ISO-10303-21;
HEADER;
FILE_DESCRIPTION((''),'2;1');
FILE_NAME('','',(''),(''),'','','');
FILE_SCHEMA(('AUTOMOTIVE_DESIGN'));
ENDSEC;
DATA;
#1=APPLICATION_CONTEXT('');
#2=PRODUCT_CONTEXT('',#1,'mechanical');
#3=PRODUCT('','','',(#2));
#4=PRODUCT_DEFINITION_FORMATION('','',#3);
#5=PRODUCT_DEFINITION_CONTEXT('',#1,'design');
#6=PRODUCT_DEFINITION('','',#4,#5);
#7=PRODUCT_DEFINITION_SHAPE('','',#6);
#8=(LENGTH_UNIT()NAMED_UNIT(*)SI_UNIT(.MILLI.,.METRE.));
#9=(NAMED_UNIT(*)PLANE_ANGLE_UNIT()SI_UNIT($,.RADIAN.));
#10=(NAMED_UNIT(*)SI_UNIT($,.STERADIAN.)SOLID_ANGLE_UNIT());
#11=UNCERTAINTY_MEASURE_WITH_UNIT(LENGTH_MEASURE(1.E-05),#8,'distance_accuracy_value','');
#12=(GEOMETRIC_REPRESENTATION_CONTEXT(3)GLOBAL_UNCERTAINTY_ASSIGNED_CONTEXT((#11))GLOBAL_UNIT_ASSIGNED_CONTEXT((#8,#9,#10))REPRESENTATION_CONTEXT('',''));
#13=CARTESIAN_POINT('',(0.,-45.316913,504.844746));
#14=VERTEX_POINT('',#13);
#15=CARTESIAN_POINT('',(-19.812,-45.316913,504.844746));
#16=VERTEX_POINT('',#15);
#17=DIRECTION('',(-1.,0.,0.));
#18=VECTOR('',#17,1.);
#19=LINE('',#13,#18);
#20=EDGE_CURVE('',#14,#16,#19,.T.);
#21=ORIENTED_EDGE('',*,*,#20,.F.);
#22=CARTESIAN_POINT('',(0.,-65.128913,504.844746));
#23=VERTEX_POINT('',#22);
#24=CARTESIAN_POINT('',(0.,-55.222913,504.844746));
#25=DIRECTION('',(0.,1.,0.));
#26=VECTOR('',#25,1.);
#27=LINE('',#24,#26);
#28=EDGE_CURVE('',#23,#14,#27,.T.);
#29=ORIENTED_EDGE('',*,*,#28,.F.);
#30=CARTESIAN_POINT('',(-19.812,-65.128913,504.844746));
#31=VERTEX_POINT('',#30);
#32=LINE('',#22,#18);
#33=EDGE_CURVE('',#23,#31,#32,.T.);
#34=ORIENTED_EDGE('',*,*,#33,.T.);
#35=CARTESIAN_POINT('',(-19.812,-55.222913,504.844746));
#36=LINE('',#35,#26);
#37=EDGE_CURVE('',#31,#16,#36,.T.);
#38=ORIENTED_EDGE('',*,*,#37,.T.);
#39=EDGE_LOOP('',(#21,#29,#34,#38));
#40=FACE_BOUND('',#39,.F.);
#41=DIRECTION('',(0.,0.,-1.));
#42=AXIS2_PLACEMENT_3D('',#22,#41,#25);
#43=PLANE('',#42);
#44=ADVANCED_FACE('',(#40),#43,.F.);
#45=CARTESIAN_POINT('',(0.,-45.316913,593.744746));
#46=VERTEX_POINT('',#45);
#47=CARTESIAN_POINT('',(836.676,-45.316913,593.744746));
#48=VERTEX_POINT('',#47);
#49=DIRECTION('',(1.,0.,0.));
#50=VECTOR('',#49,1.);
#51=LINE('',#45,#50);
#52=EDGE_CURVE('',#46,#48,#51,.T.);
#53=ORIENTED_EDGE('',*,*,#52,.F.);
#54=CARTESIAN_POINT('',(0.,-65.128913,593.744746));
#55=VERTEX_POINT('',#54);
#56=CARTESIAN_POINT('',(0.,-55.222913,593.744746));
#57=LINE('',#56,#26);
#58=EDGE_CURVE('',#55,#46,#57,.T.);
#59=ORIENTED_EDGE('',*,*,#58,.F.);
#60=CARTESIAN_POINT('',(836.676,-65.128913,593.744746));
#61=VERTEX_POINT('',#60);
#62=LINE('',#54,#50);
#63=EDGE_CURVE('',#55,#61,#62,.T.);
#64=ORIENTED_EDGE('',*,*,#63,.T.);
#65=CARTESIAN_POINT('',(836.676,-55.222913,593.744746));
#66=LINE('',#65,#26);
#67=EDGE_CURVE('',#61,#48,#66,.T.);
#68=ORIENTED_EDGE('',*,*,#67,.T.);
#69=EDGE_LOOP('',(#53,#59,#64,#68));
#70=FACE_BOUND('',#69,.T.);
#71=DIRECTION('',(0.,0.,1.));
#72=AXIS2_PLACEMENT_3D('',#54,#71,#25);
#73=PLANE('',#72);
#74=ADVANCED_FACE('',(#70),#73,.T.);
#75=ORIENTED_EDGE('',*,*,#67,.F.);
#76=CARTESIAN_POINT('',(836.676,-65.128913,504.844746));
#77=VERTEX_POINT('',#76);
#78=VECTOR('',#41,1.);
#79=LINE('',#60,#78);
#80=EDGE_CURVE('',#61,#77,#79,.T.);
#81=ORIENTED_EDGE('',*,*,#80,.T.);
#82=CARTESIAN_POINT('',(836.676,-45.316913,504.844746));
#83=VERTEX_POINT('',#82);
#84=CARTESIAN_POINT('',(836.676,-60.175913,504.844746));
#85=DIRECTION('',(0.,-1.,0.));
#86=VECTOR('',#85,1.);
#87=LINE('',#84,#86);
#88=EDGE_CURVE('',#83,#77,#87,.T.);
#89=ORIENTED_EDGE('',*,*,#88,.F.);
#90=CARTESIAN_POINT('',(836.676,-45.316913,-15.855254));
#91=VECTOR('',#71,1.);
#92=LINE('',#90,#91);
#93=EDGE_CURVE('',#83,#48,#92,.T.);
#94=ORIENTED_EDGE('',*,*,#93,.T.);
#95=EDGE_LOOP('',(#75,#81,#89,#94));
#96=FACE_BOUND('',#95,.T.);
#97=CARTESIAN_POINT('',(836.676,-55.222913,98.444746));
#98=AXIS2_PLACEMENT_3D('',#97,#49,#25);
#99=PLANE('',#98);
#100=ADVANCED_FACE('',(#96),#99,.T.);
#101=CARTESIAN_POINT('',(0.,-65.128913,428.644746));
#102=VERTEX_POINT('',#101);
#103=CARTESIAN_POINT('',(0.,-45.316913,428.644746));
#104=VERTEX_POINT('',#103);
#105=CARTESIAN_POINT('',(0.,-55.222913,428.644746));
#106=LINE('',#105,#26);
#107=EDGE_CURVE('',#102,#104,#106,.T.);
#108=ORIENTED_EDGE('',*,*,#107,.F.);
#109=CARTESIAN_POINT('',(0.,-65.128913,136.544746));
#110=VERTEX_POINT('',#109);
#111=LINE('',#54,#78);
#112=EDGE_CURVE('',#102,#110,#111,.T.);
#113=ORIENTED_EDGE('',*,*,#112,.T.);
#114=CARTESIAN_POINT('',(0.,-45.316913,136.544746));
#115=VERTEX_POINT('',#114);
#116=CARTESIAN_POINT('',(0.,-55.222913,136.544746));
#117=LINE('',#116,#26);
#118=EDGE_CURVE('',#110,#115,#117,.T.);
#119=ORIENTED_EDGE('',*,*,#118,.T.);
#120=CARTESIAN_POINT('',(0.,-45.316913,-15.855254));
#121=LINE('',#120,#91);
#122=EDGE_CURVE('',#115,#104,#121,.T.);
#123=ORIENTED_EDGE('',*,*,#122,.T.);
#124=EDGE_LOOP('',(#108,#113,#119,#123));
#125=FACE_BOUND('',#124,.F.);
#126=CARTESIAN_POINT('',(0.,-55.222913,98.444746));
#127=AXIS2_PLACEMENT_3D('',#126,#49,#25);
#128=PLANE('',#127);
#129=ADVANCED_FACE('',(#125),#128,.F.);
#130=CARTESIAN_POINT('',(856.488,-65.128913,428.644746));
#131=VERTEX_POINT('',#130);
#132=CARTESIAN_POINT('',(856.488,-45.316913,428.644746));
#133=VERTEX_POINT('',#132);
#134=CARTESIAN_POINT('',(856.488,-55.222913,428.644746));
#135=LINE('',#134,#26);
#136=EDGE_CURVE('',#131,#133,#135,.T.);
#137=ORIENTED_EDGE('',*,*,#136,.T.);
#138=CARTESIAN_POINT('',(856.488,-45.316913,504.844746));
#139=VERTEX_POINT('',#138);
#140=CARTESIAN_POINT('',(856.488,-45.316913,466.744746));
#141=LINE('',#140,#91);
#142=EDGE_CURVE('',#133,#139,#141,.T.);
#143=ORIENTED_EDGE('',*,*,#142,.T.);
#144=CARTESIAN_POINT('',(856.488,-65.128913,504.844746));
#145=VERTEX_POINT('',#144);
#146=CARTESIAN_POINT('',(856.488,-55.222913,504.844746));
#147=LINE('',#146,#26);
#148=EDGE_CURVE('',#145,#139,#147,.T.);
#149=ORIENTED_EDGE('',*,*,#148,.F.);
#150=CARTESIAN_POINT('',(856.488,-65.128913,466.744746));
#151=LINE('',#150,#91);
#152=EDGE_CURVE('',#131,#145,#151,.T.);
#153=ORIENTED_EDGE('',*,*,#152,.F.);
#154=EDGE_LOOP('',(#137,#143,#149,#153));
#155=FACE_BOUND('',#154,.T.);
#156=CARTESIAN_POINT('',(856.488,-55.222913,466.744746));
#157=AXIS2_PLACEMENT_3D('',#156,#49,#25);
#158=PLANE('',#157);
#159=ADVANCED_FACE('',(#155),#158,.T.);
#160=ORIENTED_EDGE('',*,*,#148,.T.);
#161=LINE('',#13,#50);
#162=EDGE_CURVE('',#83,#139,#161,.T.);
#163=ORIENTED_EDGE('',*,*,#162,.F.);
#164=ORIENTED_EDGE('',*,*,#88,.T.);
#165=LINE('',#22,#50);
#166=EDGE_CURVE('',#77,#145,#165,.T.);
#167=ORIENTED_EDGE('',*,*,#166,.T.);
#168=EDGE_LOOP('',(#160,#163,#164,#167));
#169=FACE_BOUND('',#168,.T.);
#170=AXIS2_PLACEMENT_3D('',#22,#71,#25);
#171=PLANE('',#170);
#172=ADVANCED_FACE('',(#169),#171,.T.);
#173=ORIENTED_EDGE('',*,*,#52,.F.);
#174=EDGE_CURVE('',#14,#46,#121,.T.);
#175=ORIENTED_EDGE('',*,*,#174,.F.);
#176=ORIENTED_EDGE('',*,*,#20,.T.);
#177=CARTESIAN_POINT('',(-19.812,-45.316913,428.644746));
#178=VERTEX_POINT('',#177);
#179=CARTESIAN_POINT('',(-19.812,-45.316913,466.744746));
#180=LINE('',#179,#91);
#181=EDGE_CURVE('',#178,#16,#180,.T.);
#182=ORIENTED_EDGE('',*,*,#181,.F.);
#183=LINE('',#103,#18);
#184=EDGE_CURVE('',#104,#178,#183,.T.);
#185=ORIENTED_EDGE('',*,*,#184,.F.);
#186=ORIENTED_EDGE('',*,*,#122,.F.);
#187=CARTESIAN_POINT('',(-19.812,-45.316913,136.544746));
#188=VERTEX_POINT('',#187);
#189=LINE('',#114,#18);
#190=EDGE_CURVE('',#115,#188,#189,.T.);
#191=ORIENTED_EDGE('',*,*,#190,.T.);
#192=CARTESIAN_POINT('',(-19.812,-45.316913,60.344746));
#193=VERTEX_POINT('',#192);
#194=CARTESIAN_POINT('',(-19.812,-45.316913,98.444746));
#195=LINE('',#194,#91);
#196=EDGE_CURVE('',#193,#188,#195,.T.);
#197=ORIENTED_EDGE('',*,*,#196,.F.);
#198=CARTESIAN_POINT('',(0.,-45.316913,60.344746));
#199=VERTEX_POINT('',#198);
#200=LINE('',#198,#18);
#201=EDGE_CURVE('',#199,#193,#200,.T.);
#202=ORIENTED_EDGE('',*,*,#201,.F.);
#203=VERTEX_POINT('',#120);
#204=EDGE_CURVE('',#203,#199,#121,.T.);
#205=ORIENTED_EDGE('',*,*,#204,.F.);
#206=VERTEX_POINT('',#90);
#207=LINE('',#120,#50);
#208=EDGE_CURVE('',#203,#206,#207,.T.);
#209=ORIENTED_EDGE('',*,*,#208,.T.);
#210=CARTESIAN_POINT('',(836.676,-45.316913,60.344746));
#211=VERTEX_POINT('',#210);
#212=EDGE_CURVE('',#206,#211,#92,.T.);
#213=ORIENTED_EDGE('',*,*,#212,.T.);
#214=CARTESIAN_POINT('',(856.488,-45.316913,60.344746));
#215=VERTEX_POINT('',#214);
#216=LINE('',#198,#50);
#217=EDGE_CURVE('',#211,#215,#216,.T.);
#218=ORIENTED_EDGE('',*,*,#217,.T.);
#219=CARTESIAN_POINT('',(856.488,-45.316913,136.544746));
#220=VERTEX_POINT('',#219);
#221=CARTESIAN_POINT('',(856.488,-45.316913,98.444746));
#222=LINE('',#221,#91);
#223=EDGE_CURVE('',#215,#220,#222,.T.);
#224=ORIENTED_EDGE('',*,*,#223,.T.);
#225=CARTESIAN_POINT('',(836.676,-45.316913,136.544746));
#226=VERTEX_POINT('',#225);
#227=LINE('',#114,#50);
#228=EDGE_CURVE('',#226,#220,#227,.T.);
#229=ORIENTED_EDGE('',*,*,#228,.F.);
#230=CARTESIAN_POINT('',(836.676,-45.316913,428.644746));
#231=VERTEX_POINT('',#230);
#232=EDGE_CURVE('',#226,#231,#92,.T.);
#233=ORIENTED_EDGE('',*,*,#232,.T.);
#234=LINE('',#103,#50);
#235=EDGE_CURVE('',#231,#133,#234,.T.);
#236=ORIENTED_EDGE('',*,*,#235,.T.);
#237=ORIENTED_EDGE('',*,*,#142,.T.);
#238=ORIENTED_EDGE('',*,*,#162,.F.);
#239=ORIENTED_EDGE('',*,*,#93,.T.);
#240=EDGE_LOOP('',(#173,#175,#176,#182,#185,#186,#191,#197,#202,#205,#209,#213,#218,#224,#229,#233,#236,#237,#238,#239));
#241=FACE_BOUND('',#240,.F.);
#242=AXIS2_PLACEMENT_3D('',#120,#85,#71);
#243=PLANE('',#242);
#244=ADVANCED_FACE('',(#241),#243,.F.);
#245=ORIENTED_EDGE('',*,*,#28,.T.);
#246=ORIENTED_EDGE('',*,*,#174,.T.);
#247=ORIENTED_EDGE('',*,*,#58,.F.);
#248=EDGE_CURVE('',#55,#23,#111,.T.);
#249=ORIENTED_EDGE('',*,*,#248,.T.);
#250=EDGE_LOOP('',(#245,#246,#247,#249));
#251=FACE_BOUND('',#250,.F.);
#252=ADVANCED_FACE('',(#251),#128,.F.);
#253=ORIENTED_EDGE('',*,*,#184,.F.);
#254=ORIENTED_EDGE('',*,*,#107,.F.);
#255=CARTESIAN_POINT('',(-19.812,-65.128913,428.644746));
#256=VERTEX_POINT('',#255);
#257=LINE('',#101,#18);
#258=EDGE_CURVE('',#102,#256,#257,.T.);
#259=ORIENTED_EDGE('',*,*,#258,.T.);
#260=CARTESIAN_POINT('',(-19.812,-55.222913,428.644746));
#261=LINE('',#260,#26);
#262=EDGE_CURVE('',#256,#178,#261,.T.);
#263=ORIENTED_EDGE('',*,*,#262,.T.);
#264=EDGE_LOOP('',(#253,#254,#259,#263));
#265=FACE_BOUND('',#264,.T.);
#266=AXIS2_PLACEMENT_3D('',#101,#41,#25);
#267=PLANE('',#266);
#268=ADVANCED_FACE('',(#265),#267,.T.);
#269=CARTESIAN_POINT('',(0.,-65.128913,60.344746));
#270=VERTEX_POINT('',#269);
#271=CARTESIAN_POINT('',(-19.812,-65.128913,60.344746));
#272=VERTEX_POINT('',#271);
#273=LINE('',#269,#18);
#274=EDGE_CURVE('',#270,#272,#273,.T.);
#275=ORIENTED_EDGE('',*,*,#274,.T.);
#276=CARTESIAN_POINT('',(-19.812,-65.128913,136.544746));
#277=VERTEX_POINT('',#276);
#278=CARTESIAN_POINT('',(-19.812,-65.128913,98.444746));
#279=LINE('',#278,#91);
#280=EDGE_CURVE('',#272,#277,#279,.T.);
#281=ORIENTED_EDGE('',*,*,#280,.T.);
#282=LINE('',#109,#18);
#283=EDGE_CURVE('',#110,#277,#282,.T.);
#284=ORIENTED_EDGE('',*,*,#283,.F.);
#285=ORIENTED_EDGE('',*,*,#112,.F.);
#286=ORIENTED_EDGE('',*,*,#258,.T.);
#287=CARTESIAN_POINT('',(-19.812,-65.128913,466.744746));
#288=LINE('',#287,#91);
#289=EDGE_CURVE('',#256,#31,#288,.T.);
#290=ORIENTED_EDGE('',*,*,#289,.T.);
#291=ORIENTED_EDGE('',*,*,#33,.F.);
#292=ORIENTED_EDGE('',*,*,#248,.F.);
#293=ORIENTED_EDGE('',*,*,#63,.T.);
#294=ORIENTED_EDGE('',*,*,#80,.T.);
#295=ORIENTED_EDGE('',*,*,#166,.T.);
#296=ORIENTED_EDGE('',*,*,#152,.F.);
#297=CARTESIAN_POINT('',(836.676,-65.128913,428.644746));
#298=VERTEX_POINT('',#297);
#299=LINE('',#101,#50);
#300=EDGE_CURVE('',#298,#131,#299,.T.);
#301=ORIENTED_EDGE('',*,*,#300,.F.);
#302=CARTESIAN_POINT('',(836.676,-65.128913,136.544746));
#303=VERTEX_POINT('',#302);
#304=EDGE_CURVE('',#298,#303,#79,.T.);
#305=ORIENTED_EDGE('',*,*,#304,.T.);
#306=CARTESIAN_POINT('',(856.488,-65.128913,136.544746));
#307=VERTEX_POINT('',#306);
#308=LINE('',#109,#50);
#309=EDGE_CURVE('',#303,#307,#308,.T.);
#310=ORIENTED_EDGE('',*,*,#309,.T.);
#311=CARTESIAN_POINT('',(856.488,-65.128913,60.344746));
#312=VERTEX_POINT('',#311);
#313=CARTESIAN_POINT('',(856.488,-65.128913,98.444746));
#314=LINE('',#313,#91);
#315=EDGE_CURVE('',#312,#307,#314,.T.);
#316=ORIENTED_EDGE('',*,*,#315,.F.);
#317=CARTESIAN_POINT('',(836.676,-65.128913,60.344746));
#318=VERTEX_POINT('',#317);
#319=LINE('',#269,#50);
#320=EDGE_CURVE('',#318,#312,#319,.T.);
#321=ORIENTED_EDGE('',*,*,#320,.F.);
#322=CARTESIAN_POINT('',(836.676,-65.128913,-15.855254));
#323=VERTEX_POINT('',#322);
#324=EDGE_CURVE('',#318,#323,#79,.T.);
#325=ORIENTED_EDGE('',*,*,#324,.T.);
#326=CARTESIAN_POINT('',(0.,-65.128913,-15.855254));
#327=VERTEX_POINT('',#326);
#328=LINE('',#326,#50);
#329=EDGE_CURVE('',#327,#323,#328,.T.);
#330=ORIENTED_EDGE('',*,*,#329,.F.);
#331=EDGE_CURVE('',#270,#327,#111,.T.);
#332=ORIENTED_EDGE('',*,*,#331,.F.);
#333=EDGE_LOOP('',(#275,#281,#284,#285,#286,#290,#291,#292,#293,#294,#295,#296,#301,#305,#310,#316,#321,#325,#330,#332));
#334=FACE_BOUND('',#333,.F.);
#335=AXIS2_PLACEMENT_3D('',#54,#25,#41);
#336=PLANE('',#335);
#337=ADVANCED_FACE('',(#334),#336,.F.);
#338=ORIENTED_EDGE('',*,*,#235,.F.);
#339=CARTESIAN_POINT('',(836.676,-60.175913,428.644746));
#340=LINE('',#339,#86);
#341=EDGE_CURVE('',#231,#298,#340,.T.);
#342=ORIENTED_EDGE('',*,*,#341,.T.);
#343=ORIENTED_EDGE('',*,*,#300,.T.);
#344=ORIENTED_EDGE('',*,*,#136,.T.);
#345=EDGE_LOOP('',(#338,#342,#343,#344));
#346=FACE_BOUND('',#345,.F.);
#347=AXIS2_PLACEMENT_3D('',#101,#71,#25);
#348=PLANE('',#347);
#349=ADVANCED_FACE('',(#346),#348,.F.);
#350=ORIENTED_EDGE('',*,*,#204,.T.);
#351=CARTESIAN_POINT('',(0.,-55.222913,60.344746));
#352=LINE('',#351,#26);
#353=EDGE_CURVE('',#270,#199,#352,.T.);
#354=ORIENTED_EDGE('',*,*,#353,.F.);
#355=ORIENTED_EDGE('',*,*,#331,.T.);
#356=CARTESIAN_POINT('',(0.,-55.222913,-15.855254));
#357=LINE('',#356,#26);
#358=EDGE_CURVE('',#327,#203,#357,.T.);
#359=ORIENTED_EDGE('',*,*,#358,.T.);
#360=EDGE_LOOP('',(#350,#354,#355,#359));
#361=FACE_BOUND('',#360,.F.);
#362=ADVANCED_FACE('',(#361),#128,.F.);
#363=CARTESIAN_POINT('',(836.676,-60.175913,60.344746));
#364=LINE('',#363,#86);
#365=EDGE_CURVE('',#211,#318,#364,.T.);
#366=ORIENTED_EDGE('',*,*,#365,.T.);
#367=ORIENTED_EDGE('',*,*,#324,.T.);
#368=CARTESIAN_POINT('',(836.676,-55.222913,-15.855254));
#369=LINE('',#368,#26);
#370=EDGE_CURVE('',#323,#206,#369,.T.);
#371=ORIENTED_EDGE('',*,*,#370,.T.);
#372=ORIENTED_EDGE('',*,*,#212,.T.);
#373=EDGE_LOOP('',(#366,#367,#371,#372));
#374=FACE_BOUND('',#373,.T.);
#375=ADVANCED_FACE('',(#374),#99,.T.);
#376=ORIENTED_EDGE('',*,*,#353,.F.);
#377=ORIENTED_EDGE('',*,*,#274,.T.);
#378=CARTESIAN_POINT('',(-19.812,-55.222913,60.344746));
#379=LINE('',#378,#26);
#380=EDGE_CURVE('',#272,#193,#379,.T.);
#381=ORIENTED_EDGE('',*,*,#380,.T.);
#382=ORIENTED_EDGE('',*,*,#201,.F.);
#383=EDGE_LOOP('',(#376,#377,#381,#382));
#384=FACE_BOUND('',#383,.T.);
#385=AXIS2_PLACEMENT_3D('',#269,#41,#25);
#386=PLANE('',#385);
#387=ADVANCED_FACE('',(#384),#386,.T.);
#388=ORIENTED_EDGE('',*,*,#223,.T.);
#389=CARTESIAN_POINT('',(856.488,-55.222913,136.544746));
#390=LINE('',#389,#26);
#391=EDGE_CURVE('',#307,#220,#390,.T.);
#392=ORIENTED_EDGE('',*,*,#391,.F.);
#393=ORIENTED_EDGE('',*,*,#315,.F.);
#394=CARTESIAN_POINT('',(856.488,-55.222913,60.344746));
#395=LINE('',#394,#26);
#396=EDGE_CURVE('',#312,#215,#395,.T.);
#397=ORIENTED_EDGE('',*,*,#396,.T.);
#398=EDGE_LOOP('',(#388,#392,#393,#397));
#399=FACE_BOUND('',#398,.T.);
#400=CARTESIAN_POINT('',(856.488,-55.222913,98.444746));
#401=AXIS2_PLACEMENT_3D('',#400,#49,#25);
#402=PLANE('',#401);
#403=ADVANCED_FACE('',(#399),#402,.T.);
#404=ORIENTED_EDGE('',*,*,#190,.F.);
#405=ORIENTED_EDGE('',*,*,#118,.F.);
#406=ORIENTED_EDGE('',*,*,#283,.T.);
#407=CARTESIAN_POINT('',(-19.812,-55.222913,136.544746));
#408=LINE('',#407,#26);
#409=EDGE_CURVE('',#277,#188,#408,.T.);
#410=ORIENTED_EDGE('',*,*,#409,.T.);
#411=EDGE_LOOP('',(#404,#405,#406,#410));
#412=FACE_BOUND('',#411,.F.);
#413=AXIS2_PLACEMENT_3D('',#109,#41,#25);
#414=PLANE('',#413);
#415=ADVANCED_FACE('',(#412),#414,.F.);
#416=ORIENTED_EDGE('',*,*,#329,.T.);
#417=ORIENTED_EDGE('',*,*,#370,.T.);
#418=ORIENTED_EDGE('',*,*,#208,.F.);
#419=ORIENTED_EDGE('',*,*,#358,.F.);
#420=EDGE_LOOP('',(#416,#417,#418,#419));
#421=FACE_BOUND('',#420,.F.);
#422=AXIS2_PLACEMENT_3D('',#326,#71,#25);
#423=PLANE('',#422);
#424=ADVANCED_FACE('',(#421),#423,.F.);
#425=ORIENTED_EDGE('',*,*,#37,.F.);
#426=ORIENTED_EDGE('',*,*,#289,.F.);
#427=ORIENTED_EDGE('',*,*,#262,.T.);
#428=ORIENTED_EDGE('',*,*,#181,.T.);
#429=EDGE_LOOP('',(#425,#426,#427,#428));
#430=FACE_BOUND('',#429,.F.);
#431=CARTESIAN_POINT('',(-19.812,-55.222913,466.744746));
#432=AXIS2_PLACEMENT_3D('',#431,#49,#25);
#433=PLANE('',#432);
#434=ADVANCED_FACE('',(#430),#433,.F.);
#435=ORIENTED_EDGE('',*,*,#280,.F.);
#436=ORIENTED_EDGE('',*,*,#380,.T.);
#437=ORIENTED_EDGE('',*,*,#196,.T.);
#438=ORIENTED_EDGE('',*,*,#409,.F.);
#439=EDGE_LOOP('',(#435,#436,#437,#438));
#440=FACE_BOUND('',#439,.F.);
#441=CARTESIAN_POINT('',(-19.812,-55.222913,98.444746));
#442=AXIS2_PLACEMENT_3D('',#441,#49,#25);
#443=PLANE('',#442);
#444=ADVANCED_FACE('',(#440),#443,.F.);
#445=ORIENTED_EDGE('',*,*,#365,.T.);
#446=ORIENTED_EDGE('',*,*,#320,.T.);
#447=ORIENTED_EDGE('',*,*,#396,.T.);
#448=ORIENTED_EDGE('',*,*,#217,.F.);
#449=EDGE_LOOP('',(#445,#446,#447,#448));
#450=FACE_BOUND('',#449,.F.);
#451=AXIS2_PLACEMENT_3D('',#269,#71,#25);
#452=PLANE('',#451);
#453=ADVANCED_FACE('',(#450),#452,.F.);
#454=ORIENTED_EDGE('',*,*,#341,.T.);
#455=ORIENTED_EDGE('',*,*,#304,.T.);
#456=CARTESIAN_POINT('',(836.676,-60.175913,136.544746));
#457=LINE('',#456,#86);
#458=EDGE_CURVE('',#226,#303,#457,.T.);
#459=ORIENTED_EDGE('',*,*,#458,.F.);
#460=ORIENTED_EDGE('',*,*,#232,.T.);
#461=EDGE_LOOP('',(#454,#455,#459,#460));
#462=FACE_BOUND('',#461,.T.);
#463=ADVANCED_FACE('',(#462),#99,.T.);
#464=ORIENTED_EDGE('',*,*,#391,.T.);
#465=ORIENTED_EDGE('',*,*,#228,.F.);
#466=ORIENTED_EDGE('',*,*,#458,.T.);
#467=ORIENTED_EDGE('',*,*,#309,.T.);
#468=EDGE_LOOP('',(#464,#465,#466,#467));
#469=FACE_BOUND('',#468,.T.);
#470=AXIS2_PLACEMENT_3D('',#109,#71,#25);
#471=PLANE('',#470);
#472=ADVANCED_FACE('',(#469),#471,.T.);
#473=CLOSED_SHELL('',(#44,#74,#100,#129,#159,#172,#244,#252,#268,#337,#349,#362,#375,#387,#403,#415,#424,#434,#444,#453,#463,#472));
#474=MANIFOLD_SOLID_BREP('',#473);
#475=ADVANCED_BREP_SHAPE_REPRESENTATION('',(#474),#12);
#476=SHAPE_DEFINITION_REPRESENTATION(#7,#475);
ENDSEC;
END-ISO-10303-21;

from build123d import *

# Parameters (mm, degrees)
F0_W          = 19.812
F0_H          = 76.2
F0_H_2        = 88.9
F0_H_3        = 292.1
F1_DEPTH      = 836.676
F2_DEPTH      = 19.812
F2_DEPTH_BACK = 856.488


with BuildPart() as f1:
    # F0 (on Right) → F1 (new body)
    with BuildSketch(Plane.YZ):
        with Locations((-55.2229133244, 98.4447455046)):
            Rectangle(F0_W, F0_H)
        with Locations((-55.2229133244, 466.7447455046)):
            Rectangle(F0_W, F0_H)
        with Locations((-55.2229133244, 549.2947455046)):
            Rectangle(F0_W, F0_H_2)
        with Locations((-55.2229133244, 282.5947455046)):
            Rectangle(F0_W, F0_H_3)
        with Locations((-55.2229133244, 22.2447455046)):
            Rectangle(F0_W, F0_H)
    extrude(amount=F1_DEPTH)

    # F0 (on Right) → F2 (join, two sides)
    with BuildSketch(Plane.YZ) as f2_sk:
        with Locations((-55.2229133244, 466.7447455046)):
            Rectangle(F0_W, F0_H)
        with Locations((-55.2229133244, 98.4447455046)):
            Rectangle(F0_W, F0_H)
    extrude(amount=-F2_DEPTH)
    extrude(f2_sk.sketch, amount=F2_DEPTH_BACK)


solid = f1.part
